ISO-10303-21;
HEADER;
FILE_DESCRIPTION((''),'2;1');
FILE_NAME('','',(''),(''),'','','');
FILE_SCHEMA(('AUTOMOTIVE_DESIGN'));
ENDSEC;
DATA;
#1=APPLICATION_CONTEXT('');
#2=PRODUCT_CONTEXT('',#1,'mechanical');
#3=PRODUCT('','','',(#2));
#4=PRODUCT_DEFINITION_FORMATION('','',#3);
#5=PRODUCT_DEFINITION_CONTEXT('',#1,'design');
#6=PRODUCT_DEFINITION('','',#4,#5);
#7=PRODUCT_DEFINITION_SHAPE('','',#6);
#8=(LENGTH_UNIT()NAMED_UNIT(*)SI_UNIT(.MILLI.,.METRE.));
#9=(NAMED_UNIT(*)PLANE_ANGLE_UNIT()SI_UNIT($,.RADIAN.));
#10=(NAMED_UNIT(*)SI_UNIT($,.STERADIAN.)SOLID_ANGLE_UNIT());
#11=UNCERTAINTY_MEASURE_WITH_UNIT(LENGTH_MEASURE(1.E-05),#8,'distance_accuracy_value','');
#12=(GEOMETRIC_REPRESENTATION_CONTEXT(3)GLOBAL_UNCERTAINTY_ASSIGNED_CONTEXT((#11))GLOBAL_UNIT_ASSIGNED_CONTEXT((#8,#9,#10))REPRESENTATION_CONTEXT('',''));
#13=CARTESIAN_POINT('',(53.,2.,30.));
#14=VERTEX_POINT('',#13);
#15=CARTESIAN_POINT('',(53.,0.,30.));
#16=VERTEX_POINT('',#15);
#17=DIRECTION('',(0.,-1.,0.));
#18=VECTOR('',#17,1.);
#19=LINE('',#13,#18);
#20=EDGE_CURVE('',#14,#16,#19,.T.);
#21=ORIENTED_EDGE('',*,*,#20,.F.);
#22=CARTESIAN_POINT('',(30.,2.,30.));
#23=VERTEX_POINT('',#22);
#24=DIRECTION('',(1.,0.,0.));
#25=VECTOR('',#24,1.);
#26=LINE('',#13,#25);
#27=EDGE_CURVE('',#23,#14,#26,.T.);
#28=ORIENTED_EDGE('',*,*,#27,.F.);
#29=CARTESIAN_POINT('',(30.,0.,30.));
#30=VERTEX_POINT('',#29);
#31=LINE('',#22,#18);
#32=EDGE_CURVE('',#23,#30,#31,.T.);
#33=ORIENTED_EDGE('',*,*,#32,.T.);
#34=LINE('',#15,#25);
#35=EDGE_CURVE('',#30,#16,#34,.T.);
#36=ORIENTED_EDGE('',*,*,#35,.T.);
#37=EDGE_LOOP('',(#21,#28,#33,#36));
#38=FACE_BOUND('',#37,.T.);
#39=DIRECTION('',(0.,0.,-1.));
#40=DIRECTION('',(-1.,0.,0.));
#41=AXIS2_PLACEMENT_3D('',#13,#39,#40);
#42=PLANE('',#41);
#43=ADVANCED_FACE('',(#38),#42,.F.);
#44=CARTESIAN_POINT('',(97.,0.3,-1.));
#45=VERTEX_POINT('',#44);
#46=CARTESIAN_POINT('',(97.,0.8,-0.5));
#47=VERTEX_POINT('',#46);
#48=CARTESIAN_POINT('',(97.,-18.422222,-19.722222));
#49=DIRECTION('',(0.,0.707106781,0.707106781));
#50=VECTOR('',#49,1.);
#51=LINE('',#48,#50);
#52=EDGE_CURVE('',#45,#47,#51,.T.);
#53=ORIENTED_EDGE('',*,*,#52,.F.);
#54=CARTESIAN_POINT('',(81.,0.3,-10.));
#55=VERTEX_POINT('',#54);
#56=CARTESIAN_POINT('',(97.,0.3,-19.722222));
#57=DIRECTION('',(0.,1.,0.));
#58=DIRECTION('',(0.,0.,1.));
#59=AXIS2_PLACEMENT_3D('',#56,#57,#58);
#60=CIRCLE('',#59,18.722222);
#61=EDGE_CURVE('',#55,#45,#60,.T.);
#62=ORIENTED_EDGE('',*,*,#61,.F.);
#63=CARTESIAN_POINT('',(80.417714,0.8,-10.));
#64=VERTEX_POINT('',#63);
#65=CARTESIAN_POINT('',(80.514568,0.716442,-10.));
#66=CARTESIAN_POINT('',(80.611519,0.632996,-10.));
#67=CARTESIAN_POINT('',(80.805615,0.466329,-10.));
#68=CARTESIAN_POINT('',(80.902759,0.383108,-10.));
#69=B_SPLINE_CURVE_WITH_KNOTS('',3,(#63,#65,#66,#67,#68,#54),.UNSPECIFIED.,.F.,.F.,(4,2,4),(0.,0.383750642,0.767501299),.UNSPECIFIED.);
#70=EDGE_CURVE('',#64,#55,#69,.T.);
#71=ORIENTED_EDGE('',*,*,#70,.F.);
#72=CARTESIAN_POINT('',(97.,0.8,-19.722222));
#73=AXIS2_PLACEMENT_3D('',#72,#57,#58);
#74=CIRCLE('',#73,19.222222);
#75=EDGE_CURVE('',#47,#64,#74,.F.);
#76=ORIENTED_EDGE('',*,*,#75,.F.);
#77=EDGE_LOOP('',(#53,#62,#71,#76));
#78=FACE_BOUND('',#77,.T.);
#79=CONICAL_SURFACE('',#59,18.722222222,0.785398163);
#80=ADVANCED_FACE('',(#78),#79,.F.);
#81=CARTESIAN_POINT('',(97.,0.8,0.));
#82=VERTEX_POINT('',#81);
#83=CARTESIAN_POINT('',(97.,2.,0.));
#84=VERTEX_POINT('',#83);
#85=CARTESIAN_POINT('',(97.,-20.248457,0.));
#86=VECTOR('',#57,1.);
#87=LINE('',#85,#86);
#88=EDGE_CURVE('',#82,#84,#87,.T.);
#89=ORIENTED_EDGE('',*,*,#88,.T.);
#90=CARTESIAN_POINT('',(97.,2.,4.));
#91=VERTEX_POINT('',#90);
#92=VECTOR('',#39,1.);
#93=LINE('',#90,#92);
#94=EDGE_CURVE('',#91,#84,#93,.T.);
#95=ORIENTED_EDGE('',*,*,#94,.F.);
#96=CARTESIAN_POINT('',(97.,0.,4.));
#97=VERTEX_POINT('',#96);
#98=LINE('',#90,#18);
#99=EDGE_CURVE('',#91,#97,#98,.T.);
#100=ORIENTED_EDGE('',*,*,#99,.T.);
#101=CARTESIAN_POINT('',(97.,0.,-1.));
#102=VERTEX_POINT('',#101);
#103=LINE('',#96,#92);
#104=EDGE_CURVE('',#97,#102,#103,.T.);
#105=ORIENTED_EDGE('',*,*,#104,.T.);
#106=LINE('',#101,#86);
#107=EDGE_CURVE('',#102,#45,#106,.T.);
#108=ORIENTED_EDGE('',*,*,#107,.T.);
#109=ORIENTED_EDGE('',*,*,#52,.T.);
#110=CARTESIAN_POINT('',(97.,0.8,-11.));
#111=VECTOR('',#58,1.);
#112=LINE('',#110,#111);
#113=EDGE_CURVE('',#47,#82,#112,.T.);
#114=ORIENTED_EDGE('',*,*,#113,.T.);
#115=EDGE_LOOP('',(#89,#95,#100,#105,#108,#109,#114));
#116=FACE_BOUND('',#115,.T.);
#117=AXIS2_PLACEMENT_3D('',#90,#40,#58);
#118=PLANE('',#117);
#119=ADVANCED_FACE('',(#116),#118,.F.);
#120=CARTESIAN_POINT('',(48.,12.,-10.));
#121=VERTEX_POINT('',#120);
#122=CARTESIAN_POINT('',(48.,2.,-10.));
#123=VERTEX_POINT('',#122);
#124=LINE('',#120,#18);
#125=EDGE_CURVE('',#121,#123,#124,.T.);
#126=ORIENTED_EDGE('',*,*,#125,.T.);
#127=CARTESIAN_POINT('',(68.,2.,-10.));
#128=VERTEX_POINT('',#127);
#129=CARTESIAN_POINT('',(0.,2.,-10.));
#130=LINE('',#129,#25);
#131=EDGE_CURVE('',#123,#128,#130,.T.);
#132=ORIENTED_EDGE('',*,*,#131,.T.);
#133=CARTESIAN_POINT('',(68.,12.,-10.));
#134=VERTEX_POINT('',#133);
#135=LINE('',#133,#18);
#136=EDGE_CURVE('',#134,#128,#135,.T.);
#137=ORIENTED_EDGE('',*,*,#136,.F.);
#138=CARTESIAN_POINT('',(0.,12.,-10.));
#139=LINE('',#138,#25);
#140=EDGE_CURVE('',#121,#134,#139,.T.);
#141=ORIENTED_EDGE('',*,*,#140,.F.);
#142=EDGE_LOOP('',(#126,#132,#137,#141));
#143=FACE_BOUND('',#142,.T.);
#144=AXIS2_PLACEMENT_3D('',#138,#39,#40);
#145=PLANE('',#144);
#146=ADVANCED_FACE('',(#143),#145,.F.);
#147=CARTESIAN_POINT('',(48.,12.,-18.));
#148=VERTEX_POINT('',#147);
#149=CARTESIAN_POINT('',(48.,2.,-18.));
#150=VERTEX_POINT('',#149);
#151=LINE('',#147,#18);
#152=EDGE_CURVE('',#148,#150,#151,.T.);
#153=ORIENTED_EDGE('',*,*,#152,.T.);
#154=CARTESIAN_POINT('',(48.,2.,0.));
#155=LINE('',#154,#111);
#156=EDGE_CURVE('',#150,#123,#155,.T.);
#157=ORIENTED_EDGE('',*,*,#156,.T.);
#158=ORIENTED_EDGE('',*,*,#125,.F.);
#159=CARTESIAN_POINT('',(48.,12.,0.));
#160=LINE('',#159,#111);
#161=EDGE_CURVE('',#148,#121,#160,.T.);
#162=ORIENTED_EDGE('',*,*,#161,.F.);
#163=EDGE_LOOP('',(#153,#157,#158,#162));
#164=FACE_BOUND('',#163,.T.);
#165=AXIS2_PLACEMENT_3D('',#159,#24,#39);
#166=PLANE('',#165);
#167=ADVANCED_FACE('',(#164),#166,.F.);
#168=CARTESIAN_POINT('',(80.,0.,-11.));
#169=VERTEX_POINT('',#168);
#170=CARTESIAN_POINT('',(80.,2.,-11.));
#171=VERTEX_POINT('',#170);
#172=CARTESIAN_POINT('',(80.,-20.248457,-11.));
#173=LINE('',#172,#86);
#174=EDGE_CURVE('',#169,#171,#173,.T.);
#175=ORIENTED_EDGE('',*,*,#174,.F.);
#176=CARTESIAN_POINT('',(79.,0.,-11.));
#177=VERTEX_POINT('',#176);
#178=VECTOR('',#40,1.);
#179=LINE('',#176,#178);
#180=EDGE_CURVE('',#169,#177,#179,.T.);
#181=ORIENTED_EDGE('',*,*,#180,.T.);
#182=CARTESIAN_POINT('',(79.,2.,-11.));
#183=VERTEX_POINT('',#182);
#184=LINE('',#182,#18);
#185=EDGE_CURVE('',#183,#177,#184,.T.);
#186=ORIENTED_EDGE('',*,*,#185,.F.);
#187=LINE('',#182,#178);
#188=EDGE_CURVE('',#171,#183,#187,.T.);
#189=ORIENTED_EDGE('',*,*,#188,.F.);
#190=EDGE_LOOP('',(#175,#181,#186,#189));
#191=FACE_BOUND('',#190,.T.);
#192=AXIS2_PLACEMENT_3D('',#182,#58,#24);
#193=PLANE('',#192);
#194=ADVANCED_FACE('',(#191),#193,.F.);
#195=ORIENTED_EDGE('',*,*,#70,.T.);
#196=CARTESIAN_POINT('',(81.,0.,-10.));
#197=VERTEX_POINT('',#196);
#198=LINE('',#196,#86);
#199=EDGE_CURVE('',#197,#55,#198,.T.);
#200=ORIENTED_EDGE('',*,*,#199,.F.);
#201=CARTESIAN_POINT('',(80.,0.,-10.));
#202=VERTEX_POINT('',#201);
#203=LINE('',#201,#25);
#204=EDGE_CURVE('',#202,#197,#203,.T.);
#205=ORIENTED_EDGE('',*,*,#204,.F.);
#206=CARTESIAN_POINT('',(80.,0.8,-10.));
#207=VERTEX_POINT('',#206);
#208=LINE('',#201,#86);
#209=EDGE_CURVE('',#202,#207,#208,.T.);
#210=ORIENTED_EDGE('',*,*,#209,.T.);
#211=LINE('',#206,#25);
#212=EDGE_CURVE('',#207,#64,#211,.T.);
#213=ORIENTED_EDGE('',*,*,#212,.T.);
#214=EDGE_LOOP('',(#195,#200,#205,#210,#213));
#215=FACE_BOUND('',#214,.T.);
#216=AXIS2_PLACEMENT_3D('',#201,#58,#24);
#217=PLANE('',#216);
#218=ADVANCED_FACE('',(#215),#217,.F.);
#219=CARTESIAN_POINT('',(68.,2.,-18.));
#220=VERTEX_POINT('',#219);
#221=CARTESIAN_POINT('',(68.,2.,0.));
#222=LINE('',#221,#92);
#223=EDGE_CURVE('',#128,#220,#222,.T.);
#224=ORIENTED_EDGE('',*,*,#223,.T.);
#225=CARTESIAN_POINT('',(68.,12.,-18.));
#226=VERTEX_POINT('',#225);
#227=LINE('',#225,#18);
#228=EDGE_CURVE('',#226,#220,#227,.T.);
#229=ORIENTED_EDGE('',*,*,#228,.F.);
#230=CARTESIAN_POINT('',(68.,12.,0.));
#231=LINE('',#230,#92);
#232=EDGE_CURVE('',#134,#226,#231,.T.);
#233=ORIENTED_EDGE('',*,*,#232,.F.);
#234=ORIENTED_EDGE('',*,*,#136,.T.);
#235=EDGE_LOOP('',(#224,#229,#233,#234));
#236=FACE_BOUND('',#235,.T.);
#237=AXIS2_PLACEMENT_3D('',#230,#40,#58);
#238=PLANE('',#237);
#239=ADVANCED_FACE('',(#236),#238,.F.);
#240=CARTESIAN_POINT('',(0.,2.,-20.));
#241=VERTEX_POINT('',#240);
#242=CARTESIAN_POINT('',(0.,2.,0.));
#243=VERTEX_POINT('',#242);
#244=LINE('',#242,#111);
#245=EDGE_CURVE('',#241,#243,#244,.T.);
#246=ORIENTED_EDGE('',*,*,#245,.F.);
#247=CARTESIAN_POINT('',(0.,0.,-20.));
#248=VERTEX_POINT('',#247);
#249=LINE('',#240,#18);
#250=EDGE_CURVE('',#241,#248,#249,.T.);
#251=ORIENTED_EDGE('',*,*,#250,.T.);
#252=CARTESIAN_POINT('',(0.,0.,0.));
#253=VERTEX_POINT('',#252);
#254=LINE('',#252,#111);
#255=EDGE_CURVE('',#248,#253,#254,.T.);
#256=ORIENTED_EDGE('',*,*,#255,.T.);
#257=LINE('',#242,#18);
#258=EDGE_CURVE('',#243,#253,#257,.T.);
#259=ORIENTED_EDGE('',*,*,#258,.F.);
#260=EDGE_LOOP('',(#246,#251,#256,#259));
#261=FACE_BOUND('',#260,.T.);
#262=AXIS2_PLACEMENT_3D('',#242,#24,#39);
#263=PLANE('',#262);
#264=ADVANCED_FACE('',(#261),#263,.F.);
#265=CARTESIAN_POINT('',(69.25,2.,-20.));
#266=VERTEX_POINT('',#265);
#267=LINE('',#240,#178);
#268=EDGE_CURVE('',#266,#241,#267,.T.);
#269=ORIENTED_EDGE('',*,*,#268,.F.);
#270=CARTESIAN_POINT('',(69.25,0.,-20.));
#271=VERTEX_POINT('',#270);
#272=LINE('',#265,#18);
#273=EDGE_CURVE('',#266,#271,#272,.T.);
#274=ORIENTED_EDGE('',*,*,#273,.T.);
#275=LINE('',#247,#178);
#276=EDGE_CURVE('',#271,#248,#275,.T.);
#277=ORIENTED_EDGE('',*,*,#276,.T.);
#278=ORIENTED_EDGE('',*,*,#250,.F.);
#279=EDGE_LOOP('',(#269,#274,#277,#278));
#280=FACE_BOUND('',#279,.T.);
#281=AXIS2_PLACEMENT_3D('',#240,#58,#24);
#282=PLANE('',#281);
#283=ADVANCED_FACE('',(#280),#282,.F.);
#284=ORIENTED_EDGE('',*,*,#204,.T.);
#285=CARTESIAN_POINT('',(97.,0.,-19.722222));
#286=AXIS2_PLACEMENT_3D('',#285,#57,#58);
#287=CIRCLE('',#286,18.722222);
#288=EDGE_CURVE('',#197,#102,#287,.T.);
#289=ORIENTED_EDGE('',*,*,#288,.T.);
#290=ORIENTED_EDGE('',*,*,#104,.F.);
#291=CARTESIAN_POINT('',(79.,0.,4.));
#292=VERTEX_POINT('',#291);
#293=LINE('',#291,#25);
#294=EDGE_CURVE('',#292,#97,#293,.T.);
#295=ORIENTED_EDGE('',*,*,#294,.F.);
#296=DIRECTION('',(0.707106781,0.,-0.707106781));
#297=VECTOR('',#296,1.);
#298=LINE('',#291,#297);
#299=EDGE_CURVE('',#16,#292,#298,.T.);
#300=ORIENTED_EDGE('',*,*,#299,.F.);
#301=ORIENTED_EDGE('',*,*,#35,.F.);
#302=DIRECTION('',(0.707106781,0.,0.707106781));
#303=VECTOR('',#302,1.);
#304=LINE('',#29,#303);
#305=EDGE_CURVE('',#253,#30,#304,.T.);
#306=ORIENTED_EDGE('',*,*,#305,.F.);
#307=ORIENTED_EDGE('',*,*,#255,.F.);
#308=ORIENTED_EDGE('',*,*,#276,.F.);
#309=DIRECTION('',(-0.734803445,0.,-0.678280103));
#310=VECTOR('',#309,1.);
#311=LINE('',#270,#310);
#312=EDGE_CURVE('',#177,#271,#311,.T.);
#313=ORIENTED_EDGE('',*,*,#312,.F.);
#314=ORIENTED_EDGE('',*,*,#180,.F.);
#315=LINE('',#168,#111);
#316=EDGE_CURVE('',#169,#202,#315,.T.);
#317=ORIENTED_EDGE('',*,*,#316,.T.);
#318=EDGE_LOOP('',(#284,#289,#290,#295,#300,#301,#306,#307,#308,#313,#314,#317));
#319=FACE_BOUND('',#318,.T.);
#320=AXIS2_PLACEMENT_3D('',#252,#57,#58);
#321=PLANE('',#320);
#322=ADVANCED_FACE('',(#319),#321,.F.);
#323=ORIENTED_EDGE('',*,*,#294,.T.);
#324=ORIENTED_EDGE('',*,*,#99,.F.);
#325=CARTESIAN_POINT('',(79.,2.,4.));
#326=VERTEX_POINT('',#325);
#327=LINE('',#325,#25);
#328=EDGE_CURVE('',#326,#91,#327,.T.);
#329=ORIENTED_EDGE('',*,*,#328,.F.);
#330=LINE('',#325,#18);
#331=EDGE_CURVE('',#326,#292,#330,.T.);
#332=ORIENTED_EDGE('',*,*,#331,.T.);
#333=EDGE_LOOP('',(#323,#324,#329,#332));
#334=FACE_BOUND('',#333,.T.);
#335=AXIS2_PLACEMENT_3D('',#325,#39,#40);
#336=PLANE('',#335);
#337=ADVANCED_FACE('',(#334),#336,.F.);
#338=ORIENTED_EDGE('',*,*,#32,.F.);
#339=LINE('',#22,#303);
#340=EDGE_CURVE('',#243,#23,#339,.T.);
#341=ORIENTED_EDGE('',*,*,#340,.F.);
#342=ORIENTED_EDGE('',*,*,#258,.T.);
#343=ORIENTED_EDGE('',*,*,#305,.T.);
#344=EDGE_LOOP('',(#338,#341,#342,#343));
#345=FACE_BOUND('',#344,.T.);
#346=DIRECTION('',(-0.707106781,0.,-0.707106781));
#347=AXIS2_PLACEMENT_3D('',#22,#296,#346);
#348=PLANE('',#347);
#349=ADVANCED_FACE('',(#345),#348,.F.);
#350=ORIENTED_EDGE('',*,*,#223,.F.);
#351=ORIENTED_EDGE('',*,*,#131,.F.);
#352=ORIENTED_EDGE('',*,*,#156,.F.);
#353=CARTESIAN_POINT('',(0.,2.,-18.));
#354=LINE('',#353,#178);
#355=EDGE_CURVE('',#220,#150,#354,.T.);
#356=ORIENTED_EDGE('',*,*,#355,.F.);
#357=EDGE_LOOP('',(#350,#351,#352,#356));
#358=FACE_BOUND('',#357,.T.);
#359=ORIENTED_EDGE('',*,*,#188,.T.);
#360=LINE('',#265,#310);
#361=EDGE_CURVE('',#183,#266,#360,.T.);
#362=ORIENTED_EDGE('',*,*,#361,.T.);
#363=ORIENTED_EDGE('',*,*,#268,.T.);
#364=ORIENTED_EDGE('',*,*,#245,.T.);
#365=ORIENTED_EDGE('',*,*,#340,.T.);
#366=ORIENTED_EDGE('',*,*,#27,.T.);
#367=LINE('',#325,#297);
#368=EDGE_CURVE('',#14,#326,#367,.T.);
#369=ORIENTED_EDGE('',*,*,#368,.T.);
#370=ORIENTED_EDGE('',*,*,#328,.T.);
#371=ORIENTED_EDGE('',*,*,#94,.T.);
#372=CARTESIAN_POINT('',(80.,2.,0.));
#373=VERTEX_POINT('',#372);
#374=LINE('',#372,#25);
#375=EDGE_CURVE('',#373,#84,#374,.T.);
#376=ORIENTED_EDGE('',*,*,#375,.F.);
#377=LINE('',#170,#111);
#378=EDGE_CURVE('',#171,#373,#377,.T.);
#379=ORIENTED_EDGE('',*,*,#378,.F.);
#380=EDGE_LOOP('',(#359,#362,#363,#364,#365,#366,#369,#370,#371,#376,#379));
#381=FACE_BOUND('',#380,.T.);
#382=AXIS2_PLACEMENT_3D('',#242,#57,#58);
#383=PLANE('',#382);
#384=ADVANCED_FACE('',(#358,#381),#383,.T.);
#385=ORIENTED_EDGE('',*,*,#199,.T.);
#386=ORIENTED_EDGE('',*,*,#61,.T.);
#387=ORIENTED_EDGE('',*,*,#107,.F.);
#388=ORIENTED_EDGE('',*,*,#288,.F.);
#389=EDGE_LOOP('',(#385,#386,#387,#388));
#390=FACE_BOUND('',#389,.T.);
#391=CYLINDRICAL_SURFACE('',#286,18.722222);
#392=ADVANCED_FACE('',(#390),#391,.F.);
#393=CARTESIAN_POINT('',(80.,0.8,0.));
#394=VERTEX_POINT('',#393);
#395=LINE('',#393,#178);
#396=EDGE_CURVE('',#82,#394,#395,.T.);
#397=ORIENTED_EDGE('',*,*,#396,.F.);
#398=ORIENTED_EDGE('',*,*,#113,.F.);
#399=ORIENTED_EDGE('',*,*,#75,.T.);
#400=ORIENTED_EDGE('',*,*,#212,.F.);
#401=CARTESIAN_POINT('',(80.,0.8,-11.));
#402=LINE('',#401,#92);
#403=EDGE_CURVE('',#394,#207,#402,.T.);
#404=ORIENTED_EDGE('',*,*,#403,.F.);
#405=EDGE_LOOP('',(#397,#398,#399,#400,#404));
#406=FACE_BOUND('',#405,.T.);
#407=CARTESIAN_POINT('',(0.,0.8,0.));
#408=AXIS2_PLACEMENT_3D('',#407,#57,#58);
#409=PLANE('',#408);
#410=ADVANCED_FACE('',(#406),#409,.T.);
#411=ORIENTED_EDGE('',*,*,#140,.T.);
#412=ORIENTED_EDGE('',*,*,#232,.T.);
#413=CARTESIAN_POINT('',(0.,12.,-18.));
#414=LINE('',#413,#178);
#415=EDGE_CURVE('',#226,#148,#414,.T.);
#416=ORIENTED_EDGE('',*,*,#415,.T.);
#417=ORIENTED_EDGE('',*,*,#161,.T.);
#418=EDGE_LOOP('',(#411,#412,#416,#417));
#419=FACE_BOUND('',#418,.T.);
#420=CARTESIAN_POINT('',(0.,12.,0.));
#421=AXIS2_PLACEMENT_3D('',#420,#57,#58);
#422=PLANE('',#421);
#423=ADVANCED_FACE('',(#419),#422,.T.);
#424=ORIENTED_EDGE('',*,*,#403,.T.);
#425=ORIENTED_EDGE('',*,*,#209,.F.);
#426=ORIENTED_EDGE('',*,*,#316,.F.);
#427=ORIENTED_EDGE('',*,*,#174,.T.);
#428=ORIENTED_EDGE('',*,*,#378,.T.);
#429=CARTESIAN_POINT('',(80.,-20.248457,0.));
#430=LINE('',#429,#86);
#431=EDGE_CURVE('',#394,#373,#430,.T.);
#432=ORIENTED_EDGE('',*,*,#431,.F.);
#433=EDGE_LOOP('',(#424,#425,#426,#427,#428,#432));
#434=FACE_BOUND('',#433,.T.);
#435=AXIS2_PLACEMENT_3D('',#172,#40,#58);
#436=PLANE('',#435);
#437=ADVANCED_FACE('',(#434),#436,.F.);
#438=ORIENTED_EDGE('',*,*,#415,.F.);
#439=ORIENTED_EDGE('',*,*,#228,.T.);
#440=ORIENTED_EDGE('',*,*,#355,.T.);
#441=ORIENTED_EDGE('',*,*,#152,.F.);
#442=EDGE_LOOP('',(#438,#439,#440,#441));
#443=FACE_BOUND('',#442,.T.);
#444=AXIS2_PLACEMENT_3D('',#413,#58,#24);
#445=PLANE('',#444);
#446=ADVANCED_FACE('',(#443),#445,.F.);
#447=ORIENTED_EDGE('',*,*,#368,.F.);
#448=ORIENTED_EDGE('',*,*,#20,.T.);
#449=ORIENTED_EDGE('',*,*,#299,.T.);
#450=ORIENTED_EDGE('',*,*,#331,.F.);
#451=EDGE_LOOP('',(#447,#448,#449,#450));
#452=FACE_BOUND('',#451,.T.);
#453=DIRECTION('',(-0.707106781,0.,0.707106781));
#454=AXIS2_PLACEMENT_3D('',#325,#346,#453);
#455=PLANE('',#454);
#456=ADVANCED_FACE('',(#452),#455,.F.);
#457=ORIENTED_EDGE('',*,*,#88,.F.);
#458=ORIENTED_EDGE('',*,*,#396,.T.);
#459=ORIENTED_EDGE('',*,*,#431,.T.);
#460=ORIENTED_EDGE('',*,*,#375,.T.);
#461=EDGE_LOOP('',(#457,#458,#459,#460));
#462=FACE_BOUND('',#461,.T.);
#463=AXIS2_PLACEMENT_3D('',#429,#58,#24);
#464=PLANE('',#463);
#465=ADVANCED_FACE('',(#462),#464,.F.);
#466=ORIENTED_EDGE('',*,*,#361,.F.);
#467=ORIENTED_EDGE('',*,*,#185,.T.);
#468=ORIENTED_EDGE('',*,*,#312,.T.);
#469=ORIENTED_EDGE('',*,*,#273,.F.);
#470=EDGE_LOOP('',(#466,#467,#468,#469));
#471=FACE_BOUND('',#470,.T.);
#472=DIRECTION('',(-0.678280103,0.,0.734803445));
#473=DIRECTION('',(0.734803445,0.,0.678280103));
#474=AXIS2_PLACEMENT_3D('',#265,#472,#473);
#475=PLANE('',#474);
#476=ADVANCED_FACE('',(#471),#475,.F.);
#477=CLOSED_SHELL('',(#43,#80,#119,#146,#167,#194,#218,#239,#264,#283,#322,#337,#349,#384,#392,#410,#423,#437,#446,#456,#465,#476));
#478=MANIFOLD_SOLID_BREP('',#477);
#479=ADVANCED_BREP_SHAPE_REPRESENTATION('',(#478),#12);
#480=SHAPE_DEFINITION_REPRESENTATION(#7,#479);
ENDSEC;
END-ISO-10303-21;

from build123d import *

# Parameters (mm, degrees)
SALIENTE_EXTRUIR2_DEPTH = 2
CROQUIS3_W              = 17
CROQUIS3_H              = 11
CORTAR_EXTRUIR1_DEPTH   = 1.2
CORTAR_EXTRUIR2_DEPTH   = 1.8
CROQUIS5_W              = 20
CROQUIS5_H              = 8
SALIENTE_EXTRUIR3_DEPTH = 10
CHAFL_N1_SIZE           = 0.5


with BuildPart() as part:
    # Croquis1 → Saliente-Extruir2 (new body)
    with BuildSketch(Plane(origin=(0, 0, 0), x_dir=(1, 0, 0), z_dir=(0, 1, 0))):
        Polygon((0, 0), (0, 20), (69.25, 20), (79, 11), (97, 11), (97, -4), (79, -4), (53, -30), (30, -30), align=None)
    extrude(amount=SALIENTE_EXTRUIR2_DEPTH)

    # Croquis3 → Cortar-Extruir1 (cut)
    with BuildSketch(Plane(origin=(0, 2, 0), x_dir=(1, 0, 0), z_dir=(0, 1, 0))):
        with Locations((88.5, 5.5)):
            Rectangle(CROQUIS3_W, CROQUIS3_H)
    extrude(amount=-CORTAR_EXTRUIR1_DEPTH, mode=Mode.SUBTRACT)

    # Croquis4 → Cortar-Extruir2 (cut, through all)
    with BuildSketch(Plane(origin=(0, 0.8, 0), x_dir=(1, 0, 0), z_dir=(0, 1, 0))):
        with BuildLine():
            Line((80, 11), (80, 10))
            Line((80, 10), (81, 10))
            ThreePointArc((81, 10), (87.821220125, 3.404391333), (97, 1))
            Line((97, 1), (97, 11))
            Line((97, 11), (80, 11))
        make_face()
    extrude(amount=-CORTAR_EXTRUIR2_DEPTH, mode=Mode.SUBTRACT)

    # Croquis5 → Saliente-Extruir3 (add)
    with BuildSketch(Plane(origin=(0, 2, 0), x_dir=(1, 0, 0), z_dir=(0, 1, 0))):
        with Locations((58, 14)):
            Rectangle(CROQUIS5_W, CROQUIS5_H)
    extrude(amount=SALIENTE_EXTRUIR3_DEPTH)

    # Chaflán1
    chafl_n1_edges = [part.edges().sort_by_distance(p)[0] for p in [
        (87.821220125, 0.8, -3.404391333),
    ]]
    chamfer(chafl_n1_edges, length=CHAFL_N1_SIZE)


solid = part.part
